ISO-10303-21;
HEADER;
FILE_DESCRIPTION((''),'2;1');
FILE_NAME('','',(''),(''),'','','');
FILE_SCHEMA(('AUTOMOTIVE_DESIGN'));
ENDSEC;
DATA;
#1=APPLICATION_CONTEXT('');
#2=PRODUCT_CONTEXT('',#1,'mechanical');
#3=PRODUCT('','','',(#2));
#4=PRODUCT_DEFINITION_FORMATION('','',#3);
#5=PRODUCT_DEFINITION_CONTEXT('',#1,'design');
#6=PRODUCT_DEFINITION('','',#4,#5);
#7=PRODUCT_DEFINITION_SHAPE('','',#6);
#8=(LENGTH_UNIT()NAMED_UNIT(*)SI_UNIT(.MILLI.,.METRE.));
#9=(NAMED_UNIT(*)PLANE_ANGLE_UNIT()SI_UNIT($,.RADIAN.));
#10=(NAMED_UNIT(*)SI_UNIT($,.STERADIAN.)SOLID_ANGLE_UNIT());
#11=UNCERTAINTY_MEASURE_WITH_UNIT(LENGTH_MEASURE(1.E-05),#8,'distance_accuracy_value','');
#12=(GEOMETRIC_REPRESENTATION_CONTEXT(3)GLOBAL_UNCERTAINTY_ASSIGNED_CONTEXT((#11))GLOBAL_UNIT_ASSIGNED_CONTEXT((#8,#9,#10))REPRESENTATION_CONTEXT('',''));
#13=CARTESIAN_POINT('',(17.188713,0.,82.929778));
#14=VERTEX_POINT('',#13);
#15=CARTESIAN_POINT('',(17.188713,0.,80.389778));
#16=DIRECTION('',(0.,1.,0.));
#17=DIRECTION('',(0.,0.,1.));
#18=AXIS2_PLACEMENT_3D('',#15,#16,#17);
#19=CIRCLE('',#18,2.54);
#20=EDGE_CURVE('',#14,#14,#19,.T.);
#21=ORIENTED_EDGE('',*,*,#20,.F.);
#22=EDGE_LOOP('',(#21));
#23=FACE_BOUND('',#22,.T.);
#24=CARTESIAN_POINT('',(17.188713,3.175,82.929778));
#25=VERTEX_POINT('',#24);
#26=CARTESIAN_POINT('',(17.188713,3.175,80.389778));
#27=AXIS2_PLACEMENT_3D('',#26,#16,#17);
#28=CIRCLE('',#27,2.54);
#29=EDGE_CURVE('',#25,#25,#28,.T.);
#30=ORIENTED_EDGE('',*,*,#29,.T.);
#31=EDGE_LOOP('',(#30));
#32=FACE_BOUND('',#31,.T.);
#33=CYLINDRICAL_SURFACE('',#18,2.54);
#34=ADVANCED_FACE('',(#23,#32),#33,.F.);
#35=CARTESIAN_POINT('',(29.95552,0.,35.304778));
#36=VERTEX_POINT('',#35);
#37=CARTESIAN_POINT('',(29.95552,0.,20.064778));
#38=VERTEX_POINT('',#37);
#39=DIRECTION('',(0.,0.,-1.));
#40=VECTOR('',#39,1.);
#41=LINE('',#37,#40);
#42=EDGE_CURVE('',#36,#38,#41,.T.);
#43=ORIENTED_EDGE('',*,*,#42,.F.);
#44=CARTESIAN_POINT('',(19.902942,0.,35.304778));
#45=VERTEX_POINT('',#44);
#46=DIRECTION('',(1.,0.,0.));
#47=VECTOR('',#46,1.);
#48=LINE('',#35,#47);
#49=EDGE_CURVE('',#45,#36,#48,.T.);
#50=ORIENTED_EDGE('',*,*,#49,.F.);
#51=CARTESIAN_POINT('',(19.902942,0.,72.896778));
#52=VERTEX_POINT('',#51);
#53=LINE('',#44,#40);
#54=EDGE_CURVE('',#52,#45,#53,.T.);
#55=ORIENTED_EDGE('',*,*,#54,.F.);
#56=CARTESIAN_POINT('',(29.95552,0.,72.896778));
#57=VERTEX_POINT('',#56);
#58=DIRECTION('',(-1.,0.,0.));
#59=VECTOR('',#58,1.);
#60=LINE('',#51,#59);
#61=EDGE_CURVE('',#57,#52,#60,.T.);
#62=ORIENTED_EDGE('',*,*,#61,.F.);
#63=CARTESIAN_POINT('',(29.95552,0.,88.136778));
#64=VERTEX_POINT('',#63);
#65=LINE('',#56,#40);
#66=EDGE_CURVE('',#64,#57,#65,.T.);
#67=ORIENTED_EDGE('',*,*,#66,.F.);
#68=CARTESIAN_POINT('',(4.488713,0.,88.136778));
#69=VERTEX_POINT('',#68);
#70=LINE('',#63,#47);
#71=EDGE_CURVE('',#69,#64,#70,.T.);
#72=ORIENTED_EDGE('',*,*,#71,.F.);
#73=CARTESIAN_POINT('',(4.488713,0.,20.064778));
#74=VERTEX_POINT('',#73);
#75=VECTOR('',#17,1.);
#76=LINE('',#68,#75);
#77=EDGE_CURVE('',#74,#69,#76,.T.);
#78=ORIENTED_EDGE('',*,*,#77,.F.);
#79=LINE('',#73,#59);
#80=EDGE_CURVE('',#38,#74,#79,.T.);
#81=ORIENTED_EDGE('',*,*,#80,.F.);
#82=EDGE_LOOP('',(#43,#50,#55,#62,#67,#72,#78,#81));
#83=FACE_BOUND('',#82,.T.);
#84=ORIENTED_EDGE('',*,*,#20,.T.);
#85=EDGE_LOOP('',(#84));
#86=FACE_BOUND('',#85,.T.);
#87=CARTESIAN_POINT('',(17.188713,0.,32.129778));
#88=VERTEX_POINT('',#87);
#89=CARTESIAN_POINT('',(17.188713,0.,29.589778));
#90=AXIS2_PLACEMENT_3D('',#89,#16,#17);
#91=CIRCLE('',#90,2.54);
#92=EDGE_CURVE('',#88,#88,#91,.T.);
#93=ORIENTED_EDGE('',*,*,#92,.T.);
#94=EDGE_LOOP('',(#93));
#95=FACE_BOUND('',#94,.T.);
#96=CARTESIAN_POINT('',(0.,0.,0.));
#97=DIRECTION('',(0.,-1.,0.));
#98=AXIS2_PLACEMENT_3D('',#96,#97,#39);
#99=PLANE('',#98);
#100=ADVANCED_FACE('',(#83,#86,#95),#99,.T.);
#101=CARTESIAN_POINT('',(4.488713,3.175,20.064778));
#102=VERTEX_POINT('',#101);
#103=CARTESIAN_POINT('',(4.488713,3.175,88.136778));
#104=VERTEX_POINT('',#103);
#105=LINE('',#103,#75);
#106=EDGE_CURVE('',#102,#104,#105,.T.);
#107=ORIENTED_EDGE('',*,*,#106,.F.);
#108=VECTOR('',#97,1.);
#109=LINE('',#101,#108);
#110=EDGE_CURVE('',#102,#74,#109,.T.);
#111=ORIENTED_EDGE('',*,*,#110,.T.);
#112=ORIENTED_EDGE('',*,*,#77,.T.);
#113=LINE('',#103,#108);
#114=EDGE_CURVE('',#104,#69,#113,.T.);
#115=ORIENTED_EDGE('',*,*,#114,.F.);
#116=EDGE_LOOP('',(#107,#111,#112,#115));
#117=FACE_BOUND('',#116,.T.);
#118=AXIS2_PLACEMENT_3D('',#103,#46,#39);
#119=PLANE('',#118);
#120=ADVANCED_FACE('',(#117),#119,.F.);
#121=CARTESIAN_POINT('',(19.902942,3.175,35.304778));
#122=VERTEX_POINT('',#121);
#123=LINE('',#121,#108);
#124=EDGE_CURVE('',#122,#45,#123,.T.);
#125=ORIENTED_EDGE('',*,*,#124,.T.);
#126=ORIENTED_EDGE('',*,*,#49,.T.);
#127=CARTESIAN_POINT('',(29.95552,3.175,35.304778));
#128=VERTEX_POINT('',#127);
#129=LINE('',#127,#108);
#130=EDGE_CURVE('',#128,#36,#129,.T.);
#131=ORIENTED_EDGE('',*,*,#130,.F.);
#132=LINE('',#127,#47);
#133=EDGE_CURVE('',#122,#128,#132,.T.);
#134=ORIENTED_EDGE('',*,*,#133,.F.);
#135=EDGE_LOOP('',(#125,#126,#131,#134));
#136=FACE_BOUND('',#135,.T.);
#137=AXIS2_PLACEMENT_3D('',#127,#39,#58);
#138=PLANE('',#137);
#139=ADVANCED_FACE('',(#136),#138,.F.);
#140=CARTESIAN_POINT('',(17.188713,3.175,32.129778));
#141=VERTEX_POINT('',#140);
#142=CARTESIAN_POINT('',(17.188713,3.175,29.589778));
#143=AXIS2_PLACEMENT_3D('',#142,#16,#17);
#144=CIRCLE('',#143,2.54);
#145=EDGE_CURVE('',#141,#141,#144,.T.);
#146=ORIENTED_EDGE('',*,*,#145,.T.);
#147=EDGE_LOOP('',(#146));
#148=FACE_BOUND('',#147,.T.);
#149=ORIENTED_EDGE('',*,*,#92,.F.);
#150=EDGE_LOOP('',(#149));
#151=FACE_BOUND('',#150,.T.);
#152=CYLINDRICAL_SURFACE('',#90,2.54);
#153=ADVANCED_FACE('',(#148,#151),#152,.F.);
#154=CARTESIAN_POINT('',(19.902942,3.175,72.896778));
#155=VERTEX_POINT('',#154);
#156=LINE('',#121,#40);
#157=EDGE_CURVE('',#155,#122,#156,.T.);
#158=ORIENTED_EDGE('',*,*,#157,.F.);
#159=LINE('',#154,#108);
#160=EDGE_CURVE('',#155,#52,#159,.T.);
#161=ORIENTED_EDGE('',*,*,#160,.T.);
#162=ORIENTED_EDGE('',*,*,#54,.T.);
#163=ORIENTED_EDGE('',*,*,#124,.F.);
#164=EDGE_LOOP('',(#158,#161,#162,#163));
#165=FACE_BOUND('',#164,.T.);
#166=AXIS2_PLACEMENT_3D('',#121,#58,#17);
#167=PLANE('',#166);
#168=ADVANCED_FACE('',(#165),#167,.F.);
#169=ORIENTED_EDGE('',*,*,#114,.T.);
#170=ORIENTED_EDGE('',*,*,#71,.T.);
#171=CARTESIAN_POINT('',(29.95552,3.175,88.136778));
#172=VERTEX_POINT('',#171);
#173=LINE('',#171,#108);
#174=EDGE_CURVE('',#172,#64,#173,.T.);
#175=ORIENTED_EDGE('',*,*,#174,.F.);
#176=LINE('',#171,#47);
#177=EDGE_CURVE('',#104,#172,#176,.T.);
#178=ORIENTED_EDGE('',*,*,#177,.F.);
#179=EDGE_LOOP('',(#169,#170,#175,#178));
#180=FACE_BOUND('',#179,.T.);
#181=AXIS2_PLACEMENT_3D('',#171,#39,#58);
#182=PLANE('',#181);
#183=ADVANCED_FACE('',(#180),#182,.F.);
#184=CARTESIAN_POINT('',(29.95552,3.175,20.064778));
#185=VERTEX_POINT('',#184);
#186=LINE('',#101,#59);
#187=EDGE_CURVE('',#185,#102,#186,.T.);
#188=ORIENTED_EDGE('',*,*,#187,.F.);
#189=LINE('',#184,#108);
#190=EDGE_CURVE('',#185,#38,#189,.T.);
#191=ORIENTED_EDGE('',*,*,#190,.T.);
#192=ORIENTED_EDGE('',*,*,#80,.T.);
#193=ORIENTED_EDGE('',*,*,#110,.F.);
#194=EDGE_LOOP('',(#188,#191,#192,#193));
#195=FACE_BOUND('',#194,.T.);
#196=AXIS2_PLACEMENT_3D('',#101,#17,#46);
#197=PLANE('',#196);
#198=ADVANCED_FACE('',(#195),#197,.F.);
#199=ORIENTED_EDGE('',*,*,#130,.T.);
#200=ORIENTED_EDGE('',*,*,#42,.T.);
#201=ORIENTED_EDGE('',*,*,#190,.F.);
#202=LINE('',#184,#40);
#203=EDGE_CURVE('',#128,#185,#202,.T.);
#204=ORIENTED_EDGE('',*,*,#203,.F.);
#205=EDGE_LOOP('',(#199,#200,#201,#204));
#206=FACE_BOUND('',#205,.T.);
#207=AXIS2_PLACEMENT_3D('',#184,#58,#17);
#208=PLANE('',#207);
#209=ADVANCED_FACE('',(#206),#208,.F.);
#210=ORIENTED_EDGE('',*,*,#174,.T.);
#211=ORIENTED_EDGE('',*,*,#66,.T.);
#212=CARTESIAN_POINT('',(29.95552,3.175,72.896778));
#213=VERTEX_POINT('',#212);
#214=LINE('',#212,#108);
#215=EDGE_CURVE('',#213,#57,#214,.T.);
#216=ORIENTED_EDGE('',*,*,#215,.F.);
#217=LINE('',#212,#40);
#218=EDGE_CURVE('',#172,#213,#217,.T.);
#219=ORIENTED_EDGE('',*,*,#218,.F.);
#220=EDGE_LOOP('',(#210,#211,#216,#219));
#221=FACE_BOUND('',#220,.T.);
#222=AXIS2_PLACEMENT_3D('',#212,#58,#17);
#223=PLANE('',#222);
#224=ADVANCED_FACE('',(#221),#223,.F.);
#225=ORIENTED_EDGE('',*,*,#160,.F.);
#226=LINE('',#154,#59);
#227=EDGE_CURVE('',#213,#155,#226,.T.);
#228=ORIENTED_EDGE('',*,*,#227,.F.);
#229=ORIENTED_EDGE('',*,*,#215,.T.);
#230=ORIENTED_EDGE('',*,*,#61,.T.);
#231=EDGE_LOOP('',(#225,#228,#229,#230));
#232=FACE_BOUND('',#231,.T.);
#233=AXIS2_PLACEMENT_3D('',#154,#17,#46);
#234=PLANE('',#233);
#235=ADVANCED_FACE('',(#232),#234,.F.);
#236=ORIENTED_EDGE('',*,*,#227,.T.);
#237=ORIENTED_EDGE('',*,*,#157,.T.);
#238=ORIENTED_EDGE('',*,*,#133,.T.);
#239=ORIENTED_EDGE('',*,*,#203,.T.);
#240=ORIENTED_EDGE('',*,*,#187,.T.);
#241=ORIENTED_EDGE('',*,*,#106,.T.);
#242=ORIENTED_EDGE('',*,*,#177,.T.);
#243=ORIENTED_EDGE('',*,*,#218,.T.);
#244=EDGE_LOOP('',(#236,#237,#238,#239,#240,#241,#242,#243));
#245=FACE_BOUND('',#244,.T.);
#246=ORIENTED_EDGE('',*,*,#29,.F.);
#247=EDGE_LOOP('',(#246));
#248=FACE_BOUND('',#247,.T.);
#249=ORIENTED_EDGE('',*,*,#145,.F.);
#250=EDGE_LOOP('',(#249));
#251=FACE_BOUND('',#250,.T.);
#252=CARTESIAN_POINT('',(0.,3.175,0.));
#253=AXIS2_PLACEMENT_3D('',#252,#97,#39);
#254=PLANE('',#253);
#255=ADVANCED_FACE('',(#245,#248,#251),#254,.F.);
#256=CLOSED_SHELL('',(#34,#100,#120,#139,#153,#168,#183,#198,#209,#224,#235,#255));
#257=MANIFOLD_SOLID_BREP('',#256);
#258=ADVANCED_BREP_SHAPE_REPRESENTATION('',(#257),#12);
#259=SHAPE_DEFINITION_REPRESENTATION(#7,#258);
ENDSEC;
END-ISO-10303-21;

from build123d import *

# Parameters (mm, degrees)
BOSS_EXTRUDE3_DEPTH = 3.175
SKETCH13_R          = 2.54
CUT_EXTRUDE1_DEPTH  = 94.142393279


with BuildPart() as part:
    # Sketch1 → Boss-Extrude3 (new body)
    with BuildSketch(Plane(origin=(0, 0, 0), x_dir=(1, 0, 0), z_dir=(0, 1, 0))):
        Polygon((4.488713472, -20.064777789), (29.955520389, -20.064777789), (29.955520389, -35.304777789), (19.902942393, -35.304777789), (19.902942393, -72.896777789), (29.955520389, -72.896777789), (29.955520389, -88.136777789), (4.488713472, -88.136777789), align=None)
    extrude(amount=BOSS_EXTRUDE3_DEPTH)

    # Sketch13 → Cut-Extrude1 (cut, through all)
    with BuildSketch(Plane(origin=(0, 3.175, 0), x_dir=(1, 0, 0), z_dir=(0, 1, 0))):
        with Locations(Location((17.188713472, -29.589777789, 0), (0, 0, 270))):
            Circle(SKETCH13_R)
        with Locations(Location((17.188713472, -80.389777789, 0), (0, 0, 270))):
            Circle(SKETCH13_R)
    extrude(amount=-CUT_EXTRUDE1_DEPTH, mode=Mode.SUBTRACT)


solid = part.part
